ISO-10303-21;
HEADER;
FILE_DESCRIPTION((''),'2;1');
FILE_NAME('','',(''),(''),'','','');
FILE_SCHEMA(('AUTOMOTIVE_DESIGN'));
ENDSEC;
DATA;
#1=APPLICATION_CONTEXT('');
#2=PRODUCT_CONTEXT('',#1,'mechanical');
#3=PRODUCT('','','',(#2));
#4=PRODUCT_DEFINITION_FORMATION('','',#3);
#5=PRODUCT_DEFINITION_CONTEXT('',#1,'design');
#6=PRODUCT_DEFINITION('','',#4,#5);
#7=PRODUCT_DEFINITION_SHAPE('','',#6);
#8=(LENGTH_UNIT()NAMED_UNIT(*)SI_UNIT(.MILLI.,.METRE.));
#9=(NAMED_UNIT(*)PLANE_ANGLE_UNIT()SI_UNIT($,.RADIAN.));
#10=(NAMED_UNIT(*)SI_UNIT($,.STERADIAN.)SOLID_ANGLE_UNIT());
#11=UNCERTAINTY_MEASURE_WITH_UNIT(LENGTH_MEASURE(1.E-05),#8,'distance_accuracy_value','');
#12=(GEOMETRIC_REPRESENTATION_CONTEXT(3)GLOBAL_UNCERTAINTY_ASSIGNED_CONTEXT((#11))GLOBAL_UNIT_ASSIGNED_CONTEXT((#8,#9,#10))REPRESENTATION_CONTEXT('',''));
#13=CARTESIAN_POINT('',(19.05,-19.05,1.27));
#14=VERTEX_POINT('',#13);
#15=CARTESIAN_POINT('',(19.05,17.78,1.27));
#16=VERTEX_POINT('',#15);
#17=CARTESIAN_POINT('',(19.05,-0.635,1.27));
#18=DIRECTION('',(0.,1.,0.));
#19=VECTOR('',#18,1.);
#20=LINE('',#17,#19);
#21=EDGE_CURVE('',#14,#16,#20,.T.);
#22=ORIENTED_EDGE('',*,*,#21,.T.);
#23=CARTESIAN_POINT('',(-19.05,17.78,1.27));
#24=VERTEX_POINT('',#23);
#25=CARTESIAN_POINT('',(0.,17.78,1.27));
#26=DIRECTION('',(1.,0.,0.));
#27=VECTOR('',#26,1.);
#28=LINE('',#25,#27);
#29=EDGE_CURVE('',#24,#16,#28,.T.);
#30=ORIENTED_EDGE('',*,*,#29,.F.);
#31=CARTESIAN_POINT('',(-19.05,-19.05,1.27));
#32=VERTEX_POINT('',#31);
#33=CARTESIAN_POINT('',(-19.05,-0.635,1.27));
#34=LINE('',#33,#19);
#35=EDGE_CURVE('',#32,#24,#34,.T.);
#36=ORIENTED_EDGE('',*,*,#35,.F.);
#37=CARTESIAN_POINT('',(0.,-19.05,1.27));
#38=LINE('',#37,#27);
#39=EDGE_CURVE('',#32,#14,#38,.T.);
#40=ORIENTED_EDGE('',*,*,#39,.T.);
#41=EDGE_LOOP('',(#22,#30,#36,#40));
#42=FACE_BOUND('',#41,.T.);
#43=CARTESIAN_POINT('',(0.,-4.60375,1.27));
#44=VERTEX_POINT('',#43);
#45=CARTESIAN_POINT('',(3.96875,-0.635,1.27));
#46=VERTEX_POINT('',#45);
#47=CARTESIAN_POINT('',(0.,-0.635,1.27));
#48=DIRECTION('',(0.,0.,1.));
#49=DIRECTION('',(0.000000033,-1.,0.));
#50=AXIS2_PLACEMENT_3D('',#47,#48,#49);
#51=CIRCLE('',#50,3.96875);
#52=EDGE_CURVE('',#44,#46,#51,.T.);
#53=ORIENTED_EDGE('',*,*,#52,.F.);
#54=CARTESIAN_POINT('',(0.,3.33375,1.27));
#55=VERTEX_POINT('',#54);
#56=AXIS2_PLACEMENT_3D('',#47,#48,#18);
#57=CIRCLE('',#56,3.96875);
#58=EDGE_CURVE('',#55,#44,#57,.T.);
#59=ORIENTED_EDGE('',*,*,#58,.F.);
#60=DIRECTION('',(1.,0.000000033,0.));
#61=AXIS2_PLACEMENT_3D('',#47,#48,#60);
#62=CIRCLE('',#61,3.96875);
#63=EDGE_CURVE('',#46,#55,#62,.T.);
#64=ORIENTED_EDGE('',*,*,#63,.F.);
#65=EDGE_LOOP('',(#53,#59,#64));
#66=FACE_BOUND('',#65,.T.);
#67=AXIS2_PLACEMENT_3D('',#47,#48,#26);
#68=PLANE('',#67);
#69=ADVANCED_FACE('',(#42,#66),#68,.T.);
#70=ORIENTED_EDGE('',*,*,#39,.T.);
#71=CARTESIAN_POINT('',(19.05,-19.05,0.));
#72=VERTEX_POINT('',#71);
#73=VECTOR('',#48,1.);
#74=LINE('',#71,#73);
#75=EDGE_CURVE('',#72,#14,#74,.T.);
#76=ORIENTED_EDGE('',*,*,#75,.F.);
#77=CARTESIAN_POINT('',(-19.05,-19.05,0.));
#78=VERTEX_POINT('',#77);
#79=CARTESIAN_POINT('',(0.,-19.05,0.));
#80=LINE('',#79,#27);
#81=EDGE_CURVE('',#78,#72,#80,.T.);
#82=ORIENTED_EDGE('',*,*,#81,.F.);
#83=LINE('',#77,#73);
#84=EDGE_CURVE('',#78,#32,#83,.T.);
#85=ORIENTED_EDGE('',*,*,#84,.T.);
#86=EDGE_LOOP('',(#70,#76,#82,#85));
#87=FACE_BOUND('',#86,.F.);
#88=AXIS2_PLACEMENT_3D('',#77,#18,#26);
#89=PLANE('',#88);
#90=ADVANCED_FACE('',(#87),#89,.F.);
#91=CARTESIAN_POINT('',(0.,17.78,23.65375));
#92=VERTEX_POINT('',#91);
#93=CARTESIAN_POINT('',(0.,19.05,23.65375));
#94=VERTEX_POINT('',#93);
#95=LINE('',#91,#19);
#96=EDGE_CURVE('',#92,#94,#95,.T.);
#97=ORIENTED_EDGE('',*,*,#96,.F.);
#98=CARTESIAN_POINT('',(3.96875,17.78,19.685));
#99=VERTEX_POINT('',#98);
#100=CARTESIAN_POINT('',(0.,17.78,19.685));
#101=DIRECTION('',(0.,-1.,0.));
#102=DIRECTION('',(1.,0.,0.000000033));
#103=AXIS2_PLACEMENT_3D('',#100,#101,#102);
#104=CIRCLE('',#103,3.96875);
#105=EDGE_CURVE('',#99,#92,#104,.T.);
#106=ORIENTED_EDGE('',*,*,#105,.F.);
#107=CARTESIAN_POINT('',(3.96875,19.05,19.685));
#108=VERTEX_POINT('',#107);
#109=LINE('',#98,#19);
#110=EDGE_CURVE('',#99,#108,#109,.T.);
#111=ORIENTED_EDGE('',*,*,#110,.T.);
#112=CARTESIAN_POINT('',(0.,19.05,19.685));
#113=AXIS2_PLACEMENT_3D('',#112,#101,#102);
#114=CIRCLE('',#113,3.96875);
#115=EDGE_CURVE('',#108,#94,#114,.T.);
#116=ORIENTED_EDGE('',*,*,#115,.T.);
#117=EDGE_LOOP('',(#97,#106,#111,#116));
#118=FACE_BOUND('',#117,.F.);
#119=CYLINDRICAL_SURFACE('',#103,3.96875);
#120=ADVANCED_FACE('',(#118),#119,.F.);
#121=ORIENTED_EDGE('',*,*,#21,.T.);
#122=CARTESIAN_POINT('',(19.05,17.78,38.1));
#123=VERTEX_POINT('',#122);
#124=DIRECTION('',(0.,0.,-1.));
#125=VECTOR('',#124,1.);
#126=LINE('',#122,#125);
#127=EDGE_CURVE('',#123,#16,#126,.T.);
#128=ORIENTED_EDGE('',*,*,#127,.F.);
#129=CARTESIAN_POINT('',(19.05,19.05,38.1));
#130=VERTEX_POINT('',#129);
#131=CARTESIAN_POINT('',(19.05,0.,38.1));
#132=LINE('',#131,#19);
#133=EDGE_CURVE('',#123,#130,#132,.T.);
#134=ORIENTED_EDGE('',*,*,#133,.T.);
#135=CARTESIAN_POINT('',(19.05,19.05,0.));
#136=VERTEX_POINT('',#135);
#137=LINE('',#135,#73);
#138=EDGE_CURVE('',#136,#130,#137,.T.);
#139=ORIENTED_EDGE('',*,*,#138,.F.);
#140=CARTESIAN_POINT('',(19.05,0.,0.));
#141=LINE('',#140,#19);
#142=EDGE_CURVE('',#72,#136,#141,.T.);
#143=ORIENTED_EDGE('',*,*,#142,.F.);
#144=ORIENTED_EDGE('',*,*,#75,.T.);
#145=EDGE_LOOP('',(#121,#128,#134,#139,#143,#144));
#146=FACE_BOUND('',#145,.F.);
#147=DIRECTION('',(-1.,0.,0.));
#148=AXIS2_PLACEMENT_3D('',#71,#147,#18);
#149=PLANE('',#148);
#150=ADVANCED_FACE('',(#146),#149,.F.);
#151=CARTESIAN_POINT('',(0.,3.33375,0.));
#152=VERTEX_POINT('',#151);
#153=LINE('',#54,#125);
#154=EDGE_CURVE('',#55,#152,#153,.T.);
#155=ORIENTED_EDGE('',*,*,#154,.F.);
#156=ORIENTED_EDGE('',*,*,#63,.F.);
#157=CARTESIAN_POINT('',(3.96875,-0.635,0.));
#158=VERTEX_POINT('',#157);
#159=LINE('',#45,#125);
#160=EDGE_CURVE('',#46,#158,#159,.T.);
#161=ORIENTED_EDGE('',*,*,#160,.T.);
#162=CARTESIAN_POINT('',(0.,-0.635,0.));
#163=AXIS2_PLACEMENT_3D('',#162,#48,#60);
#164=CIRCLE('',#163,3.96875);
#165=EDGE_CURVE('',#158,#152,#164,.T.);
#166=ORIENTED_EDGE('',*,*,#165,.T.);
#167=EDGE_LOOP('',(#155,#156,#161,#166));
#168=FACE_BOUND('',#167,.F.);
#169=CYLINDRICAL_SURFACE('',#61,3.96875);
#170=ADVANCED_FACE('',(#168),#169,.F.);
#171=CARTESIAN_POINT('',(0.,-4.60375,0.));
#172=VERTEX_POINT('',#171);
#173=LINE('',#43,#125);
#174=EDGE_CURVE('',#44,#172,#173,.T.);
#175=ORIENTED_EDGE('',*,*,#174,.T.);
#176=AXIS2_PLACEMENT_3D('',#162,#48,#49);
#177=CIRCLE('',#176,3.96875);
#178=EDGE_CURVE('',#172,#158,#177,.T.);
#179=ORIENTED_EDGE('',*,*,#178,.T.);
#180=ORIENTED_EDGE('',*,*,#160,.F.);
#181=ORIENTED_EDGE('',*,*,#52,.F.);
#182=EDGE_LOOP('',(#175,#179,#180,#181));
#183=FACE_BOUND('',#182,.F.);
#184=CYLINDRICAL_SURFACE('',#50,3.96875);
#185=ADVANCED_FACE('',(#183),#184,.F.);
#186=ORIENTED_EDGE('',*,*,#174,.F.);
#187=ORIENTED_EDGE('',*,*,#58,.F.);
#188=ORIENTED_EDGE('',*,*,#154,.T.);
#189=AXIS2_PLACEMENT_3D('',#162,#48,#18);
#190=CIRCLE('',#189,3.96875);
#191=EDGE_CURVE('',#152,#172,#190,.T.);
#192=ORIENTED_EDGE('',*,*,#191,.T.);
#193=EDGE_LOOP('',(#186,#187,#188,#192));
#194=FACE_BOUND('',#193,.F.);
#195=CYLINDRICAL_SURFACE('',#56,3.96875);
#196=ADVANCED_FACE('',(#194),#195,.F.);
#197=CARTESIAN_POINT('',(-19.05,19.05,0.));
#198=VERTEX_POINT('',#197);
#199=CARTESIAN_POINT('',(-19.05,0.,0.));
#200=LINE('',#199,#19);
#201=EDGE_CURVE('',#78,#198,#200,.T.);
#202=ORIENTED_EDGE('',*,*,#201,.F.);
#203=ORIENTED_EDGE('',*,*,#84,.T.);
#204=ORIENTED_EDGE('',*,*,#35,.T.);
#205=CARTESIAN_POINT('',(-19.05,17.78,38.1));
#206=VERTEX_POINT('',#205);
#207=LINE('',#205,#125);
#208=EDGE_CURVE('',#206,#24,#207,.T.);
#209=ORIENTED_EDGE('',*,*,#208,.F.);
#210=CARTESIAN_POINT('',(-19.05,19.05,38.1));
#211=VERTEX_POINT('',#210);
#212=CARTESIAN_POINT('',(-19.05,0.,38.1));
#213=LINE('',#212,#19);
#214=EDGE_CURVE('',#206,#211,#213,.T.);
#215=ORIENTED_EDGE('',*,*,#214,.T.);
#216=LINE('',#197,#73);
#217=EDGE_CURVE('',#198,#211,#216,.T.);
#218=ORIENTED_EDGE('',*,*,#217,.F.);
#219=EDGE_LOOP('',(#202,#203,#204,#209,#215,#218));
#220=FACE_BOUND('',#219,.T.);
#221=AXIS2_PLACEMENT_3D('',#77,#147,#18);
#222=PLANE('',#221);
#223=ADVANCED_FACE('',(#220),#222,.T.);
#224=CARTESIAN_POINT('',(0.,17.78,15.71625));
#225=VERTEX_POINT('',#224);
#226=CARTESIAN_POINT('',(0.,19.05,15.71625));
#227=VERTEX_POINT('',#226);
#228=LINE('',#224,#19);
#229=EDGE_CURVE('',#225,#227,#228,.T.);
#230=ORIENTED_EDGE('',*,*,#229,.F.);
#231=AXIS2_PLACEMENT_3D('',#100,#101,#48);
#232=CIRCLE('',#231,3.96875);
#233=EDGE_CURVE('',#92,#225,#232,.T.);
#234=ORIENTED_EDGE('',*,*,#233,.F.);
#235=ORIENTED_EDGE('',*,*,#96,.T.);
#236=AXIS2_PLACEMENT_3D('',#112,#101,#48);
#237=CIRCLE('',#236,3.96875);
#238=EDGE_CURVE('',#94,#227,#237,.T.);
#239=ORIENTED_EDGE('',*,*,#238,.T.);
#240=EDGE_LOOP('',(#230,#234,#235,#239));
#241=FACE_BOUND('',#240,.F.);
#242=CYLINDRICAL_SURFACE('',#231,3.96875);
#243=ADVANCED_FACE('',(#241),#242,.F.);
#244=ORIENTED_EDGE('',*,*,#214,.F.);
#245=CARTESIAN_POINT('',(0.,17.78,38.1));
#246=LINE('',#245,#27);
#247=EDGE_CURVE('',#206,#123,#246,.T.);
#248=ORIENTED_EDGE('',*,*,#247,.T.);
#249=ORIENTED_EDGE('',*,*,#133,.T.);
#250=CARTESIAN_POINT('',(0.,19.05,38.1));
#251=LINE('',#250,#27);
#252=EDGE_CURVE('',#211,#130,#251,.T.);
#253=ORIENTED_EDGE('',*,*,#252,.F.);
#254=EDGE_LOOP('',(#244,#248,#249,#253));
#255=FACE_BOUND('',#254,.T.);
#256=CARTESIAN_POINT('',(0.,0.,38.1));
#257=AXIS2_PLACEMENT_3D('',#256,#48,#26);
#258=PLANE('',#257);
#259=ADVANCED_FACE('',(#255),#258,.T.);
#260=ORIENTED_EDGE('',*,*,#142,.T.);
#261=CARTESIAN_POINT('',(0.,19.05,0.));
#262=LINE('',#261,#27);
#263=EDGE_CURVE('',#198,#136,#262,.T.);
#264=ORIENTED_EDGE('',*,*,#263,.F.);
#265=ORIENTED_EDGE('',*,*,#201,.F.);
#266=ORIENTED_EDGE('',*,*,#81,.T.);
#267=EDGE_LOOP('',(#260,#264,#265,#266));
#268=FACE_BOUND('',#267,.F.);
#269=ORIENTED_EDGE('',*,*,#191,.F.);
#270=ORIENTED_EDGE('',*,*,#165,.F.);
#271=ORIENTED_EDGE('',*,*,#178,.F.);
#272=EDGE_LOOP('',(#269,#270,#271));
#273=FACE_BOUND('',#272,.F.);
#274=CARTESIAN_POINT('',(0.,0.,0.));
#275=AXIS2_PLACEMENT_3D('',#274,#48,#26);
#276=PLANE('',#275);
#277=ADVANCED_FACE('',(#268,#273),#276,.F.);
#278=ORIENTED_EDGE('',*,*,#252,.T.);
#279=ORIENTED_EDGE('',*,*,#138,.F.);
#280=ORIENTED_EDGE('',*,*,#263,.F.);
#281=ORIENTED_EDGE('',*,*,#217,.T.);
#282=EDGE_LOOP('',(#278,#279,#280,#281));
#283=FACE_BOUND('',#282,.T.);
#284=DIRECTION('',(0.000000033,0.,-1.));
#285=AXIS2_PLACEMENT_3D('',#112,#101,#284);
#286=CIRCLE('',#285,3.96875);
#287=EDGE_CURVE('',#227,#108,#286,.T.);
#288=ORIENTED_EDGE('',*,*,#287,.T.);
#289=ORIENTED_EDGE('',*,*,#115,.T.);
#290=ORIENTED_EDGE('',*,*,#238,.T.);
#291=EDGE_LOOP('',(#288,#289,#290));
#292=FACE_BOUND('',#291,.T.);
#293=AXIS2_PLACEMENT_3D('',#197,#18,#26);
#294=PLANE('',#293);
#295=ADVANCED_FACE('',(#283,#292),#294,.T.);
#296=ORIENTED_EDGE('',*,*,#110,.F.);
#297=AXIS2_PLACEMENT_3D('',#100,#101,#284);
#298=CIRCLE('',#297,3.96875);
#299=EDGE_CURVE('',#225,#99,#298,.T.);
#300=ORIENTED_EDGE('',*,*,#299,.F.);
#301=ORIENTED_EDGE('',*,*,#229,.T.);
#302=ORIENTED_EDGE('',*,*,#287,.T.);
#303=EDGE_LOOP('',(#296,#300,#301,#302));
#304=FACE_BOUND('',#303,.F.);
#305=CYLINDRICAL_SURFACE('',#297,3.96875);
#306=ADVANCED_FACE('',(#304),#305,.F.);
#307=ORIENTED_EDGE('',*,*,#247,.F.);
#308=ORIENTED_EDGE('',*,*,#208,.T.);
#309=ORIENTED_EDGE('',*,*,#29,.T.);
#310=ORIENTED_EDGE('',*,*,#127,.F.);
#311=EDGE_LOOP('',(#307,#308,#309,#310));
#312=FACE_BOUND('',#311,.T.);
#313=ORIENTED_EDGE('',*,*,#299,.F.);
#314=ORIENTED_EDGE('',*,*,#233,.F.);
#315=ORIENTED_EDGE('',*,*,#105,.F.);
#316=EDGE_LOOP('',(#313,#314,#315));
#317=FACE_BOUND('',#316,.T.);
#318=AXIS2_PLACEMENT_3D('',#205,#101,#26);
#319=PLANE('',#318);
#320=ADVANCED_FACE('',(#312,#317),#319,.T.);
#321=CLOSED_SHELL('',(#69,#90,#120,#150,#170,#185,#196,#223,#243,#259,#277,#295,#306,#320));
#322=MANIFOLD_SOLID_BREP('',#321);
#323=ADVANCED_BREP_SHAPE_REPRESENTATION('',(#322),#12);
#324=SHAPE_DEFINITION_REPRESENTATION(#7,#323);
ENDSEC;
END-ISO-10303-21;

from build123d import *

# Parameters (mm, degrees)
F0_W     = 38.1
F0_H     = 38.1
F1_DEPTH = 38.1
F2_W     = 38.1
F2_H     = 36.83
F3_DEPTH = 36.83
F6_DEPTH = 3.81
F7_DEPTH = 4.826


with BuildPart() as f1:
    # F0 (on Top) → F1 (new body)
    with BuildSketch(Plane.XY):
        Rectangle(F0_W, F0_H)
    extrude(amount=F1_DEPTH)

    # F2 (on face) → F3 (cut)
    with BuildSketch(Plane.XY.offset(38.1)):
        with Locations((0, -0.635)):
            Rectangle(F2_W, F2_H)
    extrude(amount=-F3_DEPTH, mode=Mode.SUBTRACT)

    # F4 (on face) → F6 (cut)
    with BuildSketch(Plane.XZ.offset(-17.78)):
        with BuildLine():
            ThreePointArc((3.96875, 19.685), (2.80633, 22.49133), (0, 23.65375))
            Line((0, 23.65375), (0, 15.71625))
            ThreePointArc((0, 15.71625), (2.80633, 16.87867), (3.96875, 19.685))
        make_face()
        with BuildLine():
            Line((0, 15.71625), (0, 23.65375))
            ThreePointArc((0, 23.65375), (-3.96875, 19.685), (0, 15.71625))
        make_face()
    extrude(amount=-F6_DEPTH, mode=Mode.SUBTRACT)

    # F5 (on face) → F7 (cut)
    with BuildSketch(Plane.XY.offset(1.27)):
        with BuildLine():
            ThreePointArc((3.96875, -0.635), (2.80633, 2.17133), (0, 3.33375))
            Line((0, 3.33375), (0, -4.60375))
            ThreePointArc((0, -4.60375), (2.80633, -3.44133), (3.96875, -0.635))
        make_face()
        with BuildLine():
            Line((0, -4.60375), (0, 3.33375))
            ThreePointArc((0, 3.33375), (-3.96875, -0.635), (0, -4.60375))
        make_face()
    extrude(amount=-F7_DEPTH, mode=Mode.SUBTRACT)


solid = f1.part
